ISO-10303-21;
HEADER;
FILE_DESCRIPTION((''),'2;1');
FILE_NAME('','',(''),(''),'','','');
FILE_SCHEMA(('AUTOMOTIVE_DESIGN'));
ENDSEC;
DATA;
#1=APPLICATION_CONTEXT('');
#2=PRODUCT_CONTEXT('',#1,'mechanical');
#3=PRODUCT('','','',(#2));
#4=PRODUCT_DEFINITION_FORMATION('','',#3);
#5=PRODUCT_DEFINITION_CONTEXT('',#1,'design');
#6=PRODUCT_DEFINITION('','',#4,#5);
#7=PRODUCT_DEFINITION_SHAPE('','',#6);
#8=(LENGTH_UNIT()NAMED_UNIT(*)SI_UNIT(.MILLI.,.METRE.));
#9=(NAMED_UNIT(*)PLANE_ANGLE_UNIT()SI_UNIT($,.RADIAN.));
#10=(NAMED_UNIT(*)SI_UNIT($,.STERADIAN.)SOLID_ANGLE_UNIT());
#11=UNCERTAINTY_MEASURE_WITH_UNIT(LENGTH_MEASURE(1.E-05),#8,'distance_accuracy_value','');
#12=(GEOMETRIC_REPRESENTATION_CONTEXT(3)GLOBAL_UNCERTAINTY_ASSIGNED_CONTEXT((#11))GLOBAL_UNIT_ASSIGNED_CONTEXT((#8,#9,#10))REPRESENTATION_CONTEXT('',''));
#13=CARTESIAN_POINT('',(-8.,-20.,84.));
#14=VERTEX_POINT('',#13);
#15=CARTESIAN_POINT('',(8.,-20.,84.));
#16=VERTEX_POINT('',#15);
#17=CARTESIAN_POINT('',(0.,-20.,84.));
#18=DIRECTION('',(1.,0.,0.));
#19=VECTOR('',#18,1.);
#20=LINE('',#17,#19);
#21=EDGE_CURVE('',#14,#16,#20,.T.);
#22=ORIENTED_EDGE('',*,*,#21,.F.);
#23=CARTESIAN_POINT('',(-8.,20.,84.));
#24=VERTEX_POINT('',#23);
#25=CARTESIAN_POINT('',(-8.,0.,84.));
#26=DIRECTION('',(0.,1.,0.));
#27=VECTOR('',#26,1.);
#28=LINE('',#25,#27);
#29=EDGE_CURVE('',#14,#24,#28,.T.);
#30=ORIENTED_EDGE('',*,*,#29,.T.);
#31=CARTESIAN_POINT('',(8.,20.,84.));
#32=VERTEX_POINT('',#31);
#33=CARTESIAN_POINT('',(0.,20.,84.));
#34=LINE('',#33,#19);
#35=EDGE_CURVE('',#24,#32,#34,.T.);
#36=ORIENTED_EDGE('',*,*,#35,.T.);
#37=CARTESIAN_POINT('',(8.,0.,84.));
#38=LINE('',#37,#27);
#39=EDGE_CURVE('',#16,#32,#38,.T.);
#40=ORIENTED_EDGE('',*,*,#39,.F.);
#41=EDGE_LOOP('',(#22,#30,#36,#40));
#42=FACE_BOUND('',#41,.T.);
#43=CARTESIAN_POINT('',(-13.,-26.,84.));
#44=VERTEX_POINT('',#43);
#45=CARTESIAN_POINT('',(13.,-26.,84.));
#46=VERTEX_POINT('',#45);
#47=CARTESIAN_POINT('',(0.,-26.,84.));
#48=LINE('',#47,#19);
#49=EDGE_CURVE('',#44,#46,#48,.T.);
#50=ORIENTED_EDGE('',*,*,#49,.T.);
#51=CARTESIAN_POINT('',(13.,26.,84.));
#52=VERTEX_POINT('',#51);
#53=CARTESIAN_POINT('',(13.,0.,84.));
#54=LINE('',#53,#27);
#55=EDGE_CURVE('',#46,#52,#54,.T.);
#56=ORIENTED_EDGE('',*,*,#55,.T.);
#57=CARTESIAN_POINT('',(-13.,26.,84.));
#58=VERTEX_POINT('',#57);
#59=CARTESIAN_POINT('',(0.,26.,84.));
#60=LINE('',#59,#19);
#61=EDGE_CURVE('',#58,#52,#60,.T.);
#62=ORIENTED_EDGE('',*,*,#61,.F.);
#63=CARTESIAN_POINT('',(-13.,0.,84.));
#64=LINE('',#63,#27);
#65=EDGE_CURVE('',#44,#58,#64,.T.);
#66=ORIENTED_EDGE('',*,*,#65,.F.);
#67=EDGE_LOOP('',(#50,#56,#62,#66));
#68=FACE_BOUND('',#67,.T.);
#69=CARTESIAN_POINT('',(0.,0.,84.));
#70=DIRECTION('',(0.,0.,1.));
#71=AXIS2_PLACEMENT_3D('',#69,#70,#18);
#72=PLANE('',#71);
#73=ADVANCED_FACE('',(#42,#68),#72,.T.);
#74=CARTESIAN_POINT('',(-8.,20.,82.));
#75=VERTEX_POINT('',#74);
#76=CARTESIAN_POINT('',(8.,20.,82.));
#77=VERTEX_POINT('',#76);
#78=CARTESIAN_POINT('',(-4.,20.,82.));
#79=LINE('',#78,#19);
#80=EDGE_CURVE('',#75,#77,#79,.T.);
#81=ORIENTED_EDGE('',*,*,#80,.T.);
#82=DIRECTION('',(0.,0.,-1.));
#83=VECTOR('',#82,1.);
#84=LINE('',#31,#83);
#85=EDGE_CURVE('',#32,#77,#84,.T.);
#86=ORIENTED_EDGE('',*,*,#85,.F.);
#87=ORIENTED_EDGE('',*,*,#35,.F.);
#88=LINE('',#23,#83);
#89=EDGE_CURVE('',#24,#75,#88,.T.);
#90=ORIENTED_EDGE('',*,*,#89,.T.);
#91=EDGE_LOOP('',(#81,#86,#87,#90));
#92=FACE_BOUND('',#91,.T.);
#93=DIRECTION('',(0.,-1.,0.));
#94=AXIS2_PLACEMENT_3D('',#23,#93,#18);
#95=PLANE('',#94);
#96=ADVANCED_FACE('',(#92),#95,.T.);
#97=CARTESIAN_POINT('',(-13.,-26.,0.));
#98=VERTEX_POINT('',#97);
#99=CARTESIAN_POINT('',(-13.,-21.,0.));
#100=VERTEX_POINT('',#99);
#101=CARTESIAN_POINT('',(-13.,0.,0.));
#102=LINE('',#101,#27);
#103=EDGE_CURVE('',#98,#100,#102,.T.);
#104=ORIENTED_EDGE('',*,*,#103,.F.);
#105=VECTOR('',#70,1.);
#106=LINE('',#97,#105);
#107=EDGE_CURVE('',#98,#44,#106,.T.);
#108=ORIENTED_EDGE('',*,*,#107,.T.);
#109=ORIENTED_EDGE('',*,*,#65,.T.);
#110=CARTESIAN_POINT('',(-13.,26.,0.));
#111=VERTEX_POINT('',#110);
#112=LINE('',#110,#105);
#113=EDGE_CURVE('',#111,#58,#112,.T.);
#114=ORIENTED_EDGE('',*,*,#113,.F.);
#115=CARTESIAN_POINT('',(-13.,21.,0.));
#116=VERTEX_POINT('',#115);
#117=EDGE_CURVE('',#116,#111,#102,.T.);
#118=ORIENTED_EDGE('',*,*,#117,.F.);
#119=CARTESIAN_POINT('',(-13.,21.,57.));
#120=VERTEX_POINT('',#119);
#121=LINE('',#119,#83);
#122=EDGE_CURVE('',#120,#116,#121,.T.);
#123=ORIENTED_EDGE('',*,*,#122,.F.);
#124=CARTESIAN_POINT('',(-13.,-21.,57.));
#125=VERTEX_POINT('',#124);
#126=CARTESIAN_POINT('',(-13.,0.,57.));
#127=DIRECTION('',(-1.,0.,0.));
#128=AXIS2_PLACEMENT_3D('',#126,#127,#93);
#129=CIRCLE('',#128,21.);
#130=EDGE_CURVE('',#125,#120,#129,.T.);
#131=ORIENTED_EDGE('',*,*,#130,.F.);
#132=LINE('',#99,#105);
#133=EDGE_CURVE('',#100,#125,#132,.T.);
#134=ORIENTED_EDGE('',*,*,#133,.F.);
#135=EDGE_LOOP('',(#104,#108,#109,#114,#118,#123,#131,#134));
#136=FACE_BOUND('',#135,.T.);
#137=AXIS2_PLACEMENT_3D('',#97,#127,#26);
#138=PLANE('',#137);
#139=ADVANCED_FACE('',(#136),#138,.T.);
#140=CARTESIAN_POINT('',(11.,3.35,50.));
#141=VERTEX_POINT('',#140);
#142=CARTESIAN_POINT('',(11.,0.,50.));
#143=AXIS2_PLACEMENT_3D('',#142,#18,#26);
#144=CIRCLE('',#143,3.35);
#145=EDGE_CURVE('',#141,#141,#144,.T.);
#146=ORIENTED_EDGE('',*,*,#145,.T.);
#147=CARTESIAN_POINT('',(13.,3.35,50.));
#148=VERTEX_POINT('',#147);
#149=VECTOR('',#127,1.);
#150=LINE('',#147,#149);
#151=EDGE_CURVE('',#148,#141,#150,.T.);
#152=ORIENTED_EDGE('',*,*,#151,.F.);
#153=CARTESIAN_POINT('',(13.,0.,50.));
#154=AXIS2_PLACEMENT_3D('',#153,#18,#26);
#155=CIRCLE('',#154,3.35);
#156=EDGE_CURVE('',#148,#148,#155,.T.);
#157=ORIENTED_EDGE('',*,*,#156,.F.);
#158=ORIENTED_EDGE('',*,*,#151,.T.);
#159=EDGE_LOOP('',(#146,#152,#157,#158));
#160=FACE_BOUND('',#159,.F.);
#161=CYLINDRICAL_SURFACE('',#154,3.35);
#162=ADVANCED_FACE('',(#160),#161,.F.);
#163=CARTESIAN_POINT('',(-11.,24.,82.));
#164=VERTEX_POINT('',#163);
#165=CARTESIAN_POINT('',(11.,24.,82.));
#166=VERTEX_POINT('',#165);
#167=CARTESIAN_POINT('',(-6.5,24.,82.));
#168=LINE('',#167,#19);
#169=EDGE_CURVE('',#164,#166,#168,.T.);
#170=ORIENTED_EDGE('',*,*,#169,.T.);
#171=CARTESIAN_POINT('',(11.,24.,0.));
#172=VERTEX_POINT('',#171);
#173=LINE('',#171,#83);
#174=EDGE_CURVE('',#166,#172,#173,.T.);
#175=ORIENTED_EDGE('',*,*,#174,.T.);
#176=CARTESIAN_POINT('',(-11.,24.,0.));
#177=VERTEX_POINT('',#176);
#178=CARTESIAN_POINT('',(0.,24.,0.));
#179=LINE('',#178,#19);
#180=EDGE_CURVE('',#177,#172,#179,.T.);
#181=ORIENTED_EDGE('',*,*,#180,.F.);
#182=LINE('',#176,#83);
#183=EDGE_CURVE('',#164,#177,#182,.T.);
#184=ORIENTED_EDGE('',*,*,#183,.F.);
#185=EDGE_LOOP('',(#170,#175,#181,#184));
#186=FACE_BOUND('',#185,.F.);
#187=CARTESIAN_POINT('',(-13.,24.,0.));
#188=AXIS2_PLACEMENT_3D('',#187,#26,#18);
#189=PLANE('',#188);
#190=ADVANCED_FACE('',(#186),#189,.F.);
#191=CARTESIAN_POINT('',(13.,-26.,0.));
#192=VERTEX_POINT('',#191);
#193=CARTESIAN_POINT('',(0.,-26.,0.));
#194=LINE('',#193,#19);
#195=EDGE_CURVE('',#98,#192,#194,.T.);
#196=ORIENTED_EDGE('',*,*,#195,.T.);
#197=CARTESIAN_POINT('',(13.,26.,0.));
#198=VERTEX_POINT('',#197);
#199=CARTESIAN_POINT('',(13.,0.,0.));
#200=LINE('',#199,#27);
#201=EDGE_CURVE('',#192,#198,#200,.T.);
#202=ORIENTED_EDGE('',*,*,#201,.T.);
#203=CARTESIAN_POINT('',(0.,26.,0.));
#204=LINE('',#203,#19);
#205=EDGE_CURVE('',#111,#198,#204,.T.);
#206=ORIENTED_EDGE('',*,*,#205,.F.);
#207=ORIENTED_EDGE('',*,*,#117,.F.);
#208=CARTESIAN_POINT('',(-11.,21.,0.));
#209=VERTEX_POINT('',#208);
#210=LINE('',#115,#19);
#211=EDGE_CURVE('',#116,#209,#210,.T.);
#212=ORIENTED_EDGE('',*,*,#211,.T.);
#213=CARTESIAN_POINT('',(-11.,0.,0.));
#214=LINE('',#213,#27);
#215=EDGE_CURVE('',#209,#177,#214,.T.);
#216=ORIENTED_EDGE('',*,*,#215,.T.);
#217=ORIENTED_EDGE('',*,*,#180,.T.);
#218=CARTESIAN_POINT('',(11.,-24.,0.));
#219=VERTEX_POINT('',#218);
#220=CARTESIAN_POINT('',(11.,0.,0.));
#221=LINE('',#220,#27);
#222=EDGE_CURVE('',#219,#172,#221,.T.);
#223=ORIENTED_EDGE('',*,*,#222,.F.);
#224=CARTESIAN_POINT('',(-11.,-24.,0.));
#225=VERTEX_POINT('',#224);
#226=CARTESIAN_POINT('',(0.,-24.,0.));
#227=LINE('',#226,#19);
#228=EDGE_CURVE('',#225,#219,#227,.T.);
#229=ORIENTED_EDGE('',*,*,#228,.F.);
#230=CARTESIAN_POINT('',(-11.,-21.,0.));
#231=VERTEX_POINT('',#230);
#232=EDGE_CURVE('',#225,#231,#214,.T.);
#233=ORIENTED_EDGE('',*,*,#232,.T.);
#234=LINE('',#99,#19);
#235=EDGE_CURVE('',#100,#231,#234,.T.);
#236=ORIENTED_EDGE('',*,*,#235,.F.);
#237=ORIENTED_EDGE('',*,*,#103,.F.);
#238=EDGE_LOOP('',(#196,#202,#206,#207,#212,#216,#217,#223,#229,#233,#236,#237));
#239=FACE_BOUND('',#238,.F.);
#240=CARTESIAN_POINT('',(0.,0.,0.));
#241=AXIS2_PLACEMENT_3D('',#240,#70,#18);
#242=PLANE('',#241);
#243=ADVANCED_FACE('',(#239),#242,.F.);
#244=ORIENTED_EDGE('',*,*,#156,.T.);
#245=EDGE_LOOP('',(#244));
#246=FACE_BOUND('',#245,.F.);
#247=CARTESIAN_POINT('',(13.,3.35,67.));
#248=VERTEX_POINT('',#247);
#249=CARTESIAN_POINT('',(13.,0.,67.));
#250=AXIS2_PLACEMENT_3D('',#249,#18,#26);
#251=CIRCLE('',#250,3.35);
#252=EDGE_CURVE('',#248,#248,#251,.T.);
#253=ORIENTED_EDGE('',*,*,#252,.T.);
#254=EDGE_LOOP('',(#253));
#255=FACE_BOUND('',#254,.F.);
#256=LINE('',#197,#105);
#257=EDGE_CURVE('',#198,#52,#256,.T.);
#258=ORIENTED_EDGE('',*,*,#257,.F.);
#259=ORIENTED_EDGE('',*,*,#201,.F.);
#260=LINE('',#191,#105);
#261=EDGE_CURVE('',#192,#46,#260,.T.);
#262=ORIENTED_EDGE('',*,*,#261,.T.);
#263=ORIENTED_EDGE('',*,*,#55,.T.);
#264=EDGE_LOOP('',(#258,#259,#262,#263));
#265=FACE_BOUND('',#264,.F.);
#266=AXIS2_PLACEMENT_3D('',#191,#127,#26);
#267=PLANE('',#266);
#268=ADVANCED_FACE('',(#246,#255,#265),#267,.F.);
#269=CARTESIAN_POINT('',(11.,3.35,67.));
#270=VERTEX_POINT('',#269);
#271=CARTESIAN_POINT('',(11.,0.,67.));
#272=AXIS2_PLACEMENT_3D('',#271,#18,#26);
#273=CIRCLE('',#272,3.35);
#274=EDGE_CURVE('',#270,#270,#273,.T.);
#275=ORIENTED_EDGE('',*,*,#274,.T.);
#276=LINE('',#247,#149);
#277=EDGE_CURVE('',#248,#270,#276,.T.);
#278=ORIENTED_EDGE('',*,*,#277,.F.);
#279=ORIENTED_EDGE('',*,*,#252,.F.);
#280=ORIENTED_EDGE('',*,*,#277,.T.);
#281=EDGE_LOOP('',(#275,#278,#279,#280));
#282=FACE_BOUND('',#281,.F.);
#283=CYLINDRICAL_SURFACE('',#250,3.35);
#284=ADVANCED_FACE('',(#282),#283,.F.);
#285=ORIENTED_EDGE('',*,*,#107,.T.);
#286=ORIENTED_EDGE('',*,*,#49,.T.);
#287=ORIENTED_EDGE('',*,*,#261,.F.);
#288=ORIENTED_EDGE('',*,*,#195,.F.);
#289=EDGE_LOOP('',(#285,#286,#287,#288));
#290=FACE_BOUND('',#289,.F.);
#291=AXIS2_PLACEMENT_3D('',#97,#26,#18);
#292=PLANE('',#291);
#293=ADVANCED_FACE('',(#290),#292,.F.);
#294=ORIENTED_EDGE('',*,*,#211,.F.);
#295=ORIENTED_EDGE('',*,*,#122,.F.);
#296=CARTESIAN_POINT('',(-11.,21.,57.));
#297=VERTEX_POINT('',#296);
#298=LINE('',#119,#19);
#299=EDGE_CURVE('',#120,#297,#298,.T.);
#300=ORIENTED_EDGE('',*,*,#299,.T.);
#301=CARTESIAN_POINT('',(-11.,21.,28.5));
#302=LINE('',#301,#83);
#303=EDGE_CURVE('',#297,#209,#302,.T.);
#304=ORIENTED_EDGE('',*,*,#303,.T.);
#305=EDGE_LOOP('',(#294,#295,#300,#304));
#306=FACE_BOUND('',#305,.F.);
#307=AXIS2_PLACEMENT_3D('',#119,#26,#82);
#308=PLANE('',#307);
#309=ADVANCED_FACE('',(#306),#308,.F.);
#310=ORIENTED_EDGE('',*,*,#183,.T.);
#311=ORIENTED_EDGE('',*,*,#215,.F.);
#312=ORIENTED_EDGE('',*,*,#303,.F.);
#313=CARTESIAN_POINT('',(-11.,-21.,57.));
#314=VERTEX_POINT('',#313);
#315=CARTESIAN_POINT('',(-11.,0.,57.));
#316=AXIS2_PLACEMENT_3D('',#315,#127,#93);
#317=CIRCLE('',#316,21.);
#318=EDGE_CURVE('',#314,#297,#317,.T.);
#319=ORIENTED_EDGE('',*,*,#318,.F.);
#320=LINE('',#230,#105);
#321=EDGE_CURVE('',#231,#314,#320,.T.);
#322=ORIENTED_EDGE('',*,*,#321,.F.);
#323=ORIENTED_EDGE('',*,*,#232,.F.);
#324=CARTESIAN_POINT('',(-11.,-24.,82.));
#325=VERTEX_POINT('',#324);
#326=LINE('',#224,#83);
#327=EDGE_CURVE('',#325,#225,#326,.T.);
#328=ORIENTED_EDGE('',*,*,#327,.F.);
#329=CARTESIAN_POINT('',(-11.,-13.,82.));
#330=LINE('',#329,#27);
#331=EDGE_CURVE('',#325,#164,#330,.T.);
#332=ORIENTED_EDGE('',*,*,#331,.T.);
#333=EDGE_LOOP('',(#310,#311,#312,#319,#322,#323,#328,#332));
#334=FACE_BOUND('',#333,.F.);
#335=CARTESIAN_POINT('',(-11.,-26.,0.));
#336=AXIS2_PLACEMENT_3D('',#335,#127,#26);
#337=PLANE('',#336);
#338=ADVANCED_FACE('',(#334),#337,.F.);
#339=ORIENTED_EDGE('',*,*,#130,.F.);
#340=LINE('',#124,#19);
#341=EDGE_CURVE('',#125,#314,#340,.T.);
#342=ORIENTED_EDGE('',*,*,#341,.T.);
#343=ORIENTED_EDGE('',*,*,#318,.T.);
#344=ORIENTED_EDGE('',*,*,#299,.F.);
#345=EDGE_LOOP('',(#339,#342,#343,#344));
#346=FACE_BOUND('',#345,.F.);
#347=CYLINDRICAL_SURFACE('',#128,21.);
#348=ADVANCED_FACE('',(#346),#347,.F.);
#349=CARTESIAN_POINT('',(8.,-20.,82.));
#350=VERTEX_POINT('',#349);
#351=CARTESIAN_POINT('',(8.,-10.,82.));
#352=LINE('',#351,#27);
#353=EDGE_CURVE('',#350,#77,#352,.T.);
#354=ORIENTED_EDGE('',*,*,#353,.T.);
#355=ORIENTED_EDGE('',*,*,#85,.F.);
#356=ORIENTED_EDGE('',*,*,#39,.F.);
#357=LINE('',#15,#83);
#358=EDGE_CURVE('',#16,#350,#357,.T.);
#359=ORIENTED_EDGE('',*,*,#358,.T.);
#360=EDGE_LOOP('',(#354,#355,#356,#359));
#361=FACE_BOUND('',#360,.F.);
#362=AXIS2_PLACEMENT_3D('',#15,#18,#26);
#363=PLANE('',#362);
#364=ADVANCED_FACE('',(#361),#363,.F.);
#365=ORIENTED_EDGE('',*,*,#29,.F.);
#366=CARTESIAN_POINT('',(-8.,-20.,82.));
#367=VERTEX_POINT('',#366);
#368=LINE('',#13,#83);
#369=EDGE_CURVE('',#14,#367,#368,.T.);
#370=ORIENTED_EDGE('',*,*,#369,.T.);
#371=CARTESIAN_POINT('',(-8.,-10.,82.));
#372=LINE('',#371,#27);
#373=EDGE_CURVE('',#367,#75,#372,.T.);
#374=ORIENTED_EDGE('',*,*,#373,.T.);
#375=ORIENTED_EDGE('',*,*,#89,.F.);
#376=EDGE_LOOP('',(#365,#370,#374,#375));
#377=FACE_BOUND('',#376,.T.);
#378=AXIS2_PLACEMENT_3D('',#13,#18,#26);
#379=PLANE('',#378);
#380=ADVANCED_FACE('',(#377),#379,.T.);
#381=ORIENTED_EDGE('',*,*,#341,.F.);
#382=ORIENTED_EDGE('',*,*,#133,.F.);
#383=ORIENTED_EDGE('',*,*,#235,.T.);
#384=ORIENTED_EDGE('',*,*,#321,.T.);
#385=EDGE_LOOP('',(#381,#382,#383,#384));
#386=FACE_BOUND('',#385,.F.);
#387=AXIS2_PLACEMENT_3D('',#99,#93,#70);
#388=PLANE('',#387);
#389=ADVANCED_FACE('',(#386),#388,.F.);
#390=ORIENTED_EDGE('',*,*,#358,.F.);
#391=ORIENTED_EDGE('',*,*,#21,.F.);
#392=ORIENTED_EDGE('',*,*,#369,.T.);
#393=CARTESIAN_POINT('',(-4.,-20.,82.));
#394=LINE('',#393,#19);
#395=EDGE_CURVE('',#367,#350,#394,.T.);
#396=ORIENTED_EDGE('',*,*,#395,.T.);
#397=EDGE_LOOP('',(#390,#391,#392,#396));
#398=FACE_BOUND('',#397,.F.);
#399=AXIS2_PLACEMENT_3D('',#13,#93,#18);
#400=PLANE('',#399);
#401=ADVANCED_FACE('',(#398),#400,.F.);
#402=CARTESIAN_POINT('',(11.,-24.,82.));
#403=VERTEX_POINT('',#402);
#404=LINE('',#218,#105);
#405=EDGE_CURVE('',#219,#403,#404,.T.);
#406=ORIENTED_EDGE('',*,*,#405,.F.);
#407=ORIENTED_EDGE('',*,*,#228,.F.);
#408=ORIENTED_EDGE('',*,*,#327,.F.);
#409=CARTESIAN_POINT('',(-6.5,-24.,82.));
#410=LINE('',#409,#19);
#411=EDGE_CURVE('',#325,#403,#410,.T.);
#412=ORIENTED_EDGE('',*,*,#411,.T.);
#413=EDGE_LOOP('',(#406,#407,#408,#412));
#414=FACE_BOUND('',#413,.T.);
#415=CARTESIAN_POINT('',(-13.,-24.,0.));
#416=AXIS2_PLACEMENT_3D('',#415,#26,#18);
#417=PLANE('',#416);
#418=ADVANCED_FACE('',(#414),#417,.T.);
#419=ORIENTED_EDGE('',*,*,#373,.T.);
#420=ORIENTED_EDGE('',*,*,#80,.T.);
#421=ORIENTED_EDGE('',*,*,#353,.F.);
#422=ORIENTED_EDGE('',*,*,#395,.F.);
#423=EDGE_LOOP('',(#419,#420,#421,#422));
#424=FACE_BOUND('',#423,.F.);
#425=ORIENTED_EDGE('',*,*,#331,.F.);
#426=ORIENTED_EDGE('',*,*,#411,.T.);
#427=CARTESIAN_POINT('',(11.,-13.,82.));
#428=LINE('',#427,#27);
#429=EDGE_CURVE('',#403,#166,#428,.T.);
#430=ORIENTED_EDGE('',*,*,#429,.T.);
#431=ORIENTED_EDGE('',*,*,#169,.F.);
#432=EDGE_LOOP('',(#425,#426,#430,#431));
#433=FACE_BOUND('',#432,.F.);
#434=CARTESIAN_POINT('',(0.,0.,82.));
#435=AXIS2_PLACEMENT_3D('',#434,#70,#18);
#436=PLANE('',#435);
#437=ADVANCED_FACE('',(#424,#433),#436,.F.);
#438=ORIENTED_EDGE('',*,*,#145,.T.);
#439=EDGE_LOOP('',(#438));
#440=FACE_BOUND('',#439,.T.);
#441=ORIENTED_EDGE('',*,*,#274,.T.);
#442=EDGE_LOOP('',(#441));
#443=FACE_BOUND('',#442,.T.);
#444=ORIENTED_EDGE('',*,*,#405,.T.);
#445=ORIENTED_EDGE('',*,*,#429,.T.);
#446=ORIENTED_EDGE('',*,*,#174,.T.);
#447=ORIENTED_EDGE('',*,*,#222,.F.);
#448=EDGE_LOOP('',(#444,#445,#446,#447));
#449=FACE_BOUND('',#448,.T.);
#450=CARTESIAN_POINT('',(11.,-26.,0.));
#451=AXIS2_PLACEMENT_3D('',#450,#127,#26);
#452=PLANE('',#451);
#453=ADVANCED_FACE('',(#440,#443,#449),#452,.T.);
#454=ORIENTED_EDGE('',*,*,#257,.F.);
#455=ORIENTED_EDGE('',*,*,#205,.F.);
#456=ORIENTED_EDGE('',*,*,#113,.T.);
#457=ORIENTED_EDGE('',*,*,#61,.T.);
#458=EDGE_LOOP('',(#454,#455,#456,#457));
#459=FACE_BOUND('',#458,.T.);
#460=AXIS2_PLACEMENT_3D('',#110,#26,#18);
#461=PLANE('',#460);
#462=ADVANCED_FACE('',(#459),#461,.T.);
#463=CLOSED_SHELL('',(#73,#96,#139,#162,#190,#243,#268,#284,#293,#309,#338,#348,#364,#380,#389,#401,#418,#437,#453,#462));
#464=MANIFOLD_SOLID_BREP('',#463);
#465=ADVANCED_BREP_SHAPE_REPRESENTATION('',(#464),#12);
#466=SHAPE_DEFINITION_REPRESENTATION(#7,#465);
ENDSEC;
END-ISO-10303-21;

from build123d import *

# Parameters (mm, degrees)
F0_W      = 26
F0_H      = 52
F1_DEPTH  = 84
F2_T      = -2
F4_DEPTH  = 3
F5_R      = 3.35
F6_DEPTH  = 3
F7_W      = 13
F7_H      = 13
F8_DEPTH  = 3
F9_W      = 16
F9_H      = 40
F10_DEPTH = 25


with BuildPart() as f1:
    # F0 (on Top) → F1 (new body)
    with BuildSketch(Plane.XY):
        Rectangle(F0_W, F0_H)
    extrude(amount=F1_DEPTH)

    # F2
    f2_openings = [f1.faces().sort_by_distance(p)[0] for p in [
        (0, 0, 0),
    ]]
    offset(amount=F2_T, openings=f2_openings)

    # F3 (on face) → F4 (cut)
    with BuildSketch(Plane(origin=(-13, 0, 0), x_dir=(0, -1, 0), z_dir=(-1, 0, 0))):
        with BuildLine():
            ThreePointArc((-21, 57), (0, 36), (21, 57))
            ThreePointArc((21, 57), (0, 78), (-21, 57))
        make_face()
        with BuildLine():
            Line((21, 0), (21, 57))
            ThreePointArc((21, 57), (0, 36), (-21, 57))
            Line((-21, 57), (-21, 0))
            Line((-21, 0), (21, 0))
        make_face()
    extrude(amount=-F4_DEPTH, mode=Mode.SUBTRACT)

    # F5 (on face) → F6 (cut)
    with BuildSketch(Plane.YZ.offset(13)):
        with Locations((0, 67)):
            Circle(F5_R)
        with Locations((0, 50)):
            Circle(F5_R)
    extrude(amount=-F6_DEPTH, mode=Mode.SUBTRACT)

    # F7 (on face) → F8 (cut)
    with BuildSketch(Plane(origin=(-13, 0, 0), x_dir=(0, -1, 0), z_dir=(-1, 0, 0))):
        with Locations((0, 67)):
            Rectangle(F7_W, F7_H)
        with Locations((0, 50)):
            Rectangle(F7_W, F7_H)
    extrude(amount=-F8_DEPTH, mode=Mode.SUBTRACT)

    # F9 (on face) → F10 (cut)
    with BuildSketch(Plane.XY.offset(84)):
        Rectangle(F9_W, F9_H)
    extrude(amount=-F10_DEPTH, mode=Mode.SUBTRACT)


solid = f1.part
